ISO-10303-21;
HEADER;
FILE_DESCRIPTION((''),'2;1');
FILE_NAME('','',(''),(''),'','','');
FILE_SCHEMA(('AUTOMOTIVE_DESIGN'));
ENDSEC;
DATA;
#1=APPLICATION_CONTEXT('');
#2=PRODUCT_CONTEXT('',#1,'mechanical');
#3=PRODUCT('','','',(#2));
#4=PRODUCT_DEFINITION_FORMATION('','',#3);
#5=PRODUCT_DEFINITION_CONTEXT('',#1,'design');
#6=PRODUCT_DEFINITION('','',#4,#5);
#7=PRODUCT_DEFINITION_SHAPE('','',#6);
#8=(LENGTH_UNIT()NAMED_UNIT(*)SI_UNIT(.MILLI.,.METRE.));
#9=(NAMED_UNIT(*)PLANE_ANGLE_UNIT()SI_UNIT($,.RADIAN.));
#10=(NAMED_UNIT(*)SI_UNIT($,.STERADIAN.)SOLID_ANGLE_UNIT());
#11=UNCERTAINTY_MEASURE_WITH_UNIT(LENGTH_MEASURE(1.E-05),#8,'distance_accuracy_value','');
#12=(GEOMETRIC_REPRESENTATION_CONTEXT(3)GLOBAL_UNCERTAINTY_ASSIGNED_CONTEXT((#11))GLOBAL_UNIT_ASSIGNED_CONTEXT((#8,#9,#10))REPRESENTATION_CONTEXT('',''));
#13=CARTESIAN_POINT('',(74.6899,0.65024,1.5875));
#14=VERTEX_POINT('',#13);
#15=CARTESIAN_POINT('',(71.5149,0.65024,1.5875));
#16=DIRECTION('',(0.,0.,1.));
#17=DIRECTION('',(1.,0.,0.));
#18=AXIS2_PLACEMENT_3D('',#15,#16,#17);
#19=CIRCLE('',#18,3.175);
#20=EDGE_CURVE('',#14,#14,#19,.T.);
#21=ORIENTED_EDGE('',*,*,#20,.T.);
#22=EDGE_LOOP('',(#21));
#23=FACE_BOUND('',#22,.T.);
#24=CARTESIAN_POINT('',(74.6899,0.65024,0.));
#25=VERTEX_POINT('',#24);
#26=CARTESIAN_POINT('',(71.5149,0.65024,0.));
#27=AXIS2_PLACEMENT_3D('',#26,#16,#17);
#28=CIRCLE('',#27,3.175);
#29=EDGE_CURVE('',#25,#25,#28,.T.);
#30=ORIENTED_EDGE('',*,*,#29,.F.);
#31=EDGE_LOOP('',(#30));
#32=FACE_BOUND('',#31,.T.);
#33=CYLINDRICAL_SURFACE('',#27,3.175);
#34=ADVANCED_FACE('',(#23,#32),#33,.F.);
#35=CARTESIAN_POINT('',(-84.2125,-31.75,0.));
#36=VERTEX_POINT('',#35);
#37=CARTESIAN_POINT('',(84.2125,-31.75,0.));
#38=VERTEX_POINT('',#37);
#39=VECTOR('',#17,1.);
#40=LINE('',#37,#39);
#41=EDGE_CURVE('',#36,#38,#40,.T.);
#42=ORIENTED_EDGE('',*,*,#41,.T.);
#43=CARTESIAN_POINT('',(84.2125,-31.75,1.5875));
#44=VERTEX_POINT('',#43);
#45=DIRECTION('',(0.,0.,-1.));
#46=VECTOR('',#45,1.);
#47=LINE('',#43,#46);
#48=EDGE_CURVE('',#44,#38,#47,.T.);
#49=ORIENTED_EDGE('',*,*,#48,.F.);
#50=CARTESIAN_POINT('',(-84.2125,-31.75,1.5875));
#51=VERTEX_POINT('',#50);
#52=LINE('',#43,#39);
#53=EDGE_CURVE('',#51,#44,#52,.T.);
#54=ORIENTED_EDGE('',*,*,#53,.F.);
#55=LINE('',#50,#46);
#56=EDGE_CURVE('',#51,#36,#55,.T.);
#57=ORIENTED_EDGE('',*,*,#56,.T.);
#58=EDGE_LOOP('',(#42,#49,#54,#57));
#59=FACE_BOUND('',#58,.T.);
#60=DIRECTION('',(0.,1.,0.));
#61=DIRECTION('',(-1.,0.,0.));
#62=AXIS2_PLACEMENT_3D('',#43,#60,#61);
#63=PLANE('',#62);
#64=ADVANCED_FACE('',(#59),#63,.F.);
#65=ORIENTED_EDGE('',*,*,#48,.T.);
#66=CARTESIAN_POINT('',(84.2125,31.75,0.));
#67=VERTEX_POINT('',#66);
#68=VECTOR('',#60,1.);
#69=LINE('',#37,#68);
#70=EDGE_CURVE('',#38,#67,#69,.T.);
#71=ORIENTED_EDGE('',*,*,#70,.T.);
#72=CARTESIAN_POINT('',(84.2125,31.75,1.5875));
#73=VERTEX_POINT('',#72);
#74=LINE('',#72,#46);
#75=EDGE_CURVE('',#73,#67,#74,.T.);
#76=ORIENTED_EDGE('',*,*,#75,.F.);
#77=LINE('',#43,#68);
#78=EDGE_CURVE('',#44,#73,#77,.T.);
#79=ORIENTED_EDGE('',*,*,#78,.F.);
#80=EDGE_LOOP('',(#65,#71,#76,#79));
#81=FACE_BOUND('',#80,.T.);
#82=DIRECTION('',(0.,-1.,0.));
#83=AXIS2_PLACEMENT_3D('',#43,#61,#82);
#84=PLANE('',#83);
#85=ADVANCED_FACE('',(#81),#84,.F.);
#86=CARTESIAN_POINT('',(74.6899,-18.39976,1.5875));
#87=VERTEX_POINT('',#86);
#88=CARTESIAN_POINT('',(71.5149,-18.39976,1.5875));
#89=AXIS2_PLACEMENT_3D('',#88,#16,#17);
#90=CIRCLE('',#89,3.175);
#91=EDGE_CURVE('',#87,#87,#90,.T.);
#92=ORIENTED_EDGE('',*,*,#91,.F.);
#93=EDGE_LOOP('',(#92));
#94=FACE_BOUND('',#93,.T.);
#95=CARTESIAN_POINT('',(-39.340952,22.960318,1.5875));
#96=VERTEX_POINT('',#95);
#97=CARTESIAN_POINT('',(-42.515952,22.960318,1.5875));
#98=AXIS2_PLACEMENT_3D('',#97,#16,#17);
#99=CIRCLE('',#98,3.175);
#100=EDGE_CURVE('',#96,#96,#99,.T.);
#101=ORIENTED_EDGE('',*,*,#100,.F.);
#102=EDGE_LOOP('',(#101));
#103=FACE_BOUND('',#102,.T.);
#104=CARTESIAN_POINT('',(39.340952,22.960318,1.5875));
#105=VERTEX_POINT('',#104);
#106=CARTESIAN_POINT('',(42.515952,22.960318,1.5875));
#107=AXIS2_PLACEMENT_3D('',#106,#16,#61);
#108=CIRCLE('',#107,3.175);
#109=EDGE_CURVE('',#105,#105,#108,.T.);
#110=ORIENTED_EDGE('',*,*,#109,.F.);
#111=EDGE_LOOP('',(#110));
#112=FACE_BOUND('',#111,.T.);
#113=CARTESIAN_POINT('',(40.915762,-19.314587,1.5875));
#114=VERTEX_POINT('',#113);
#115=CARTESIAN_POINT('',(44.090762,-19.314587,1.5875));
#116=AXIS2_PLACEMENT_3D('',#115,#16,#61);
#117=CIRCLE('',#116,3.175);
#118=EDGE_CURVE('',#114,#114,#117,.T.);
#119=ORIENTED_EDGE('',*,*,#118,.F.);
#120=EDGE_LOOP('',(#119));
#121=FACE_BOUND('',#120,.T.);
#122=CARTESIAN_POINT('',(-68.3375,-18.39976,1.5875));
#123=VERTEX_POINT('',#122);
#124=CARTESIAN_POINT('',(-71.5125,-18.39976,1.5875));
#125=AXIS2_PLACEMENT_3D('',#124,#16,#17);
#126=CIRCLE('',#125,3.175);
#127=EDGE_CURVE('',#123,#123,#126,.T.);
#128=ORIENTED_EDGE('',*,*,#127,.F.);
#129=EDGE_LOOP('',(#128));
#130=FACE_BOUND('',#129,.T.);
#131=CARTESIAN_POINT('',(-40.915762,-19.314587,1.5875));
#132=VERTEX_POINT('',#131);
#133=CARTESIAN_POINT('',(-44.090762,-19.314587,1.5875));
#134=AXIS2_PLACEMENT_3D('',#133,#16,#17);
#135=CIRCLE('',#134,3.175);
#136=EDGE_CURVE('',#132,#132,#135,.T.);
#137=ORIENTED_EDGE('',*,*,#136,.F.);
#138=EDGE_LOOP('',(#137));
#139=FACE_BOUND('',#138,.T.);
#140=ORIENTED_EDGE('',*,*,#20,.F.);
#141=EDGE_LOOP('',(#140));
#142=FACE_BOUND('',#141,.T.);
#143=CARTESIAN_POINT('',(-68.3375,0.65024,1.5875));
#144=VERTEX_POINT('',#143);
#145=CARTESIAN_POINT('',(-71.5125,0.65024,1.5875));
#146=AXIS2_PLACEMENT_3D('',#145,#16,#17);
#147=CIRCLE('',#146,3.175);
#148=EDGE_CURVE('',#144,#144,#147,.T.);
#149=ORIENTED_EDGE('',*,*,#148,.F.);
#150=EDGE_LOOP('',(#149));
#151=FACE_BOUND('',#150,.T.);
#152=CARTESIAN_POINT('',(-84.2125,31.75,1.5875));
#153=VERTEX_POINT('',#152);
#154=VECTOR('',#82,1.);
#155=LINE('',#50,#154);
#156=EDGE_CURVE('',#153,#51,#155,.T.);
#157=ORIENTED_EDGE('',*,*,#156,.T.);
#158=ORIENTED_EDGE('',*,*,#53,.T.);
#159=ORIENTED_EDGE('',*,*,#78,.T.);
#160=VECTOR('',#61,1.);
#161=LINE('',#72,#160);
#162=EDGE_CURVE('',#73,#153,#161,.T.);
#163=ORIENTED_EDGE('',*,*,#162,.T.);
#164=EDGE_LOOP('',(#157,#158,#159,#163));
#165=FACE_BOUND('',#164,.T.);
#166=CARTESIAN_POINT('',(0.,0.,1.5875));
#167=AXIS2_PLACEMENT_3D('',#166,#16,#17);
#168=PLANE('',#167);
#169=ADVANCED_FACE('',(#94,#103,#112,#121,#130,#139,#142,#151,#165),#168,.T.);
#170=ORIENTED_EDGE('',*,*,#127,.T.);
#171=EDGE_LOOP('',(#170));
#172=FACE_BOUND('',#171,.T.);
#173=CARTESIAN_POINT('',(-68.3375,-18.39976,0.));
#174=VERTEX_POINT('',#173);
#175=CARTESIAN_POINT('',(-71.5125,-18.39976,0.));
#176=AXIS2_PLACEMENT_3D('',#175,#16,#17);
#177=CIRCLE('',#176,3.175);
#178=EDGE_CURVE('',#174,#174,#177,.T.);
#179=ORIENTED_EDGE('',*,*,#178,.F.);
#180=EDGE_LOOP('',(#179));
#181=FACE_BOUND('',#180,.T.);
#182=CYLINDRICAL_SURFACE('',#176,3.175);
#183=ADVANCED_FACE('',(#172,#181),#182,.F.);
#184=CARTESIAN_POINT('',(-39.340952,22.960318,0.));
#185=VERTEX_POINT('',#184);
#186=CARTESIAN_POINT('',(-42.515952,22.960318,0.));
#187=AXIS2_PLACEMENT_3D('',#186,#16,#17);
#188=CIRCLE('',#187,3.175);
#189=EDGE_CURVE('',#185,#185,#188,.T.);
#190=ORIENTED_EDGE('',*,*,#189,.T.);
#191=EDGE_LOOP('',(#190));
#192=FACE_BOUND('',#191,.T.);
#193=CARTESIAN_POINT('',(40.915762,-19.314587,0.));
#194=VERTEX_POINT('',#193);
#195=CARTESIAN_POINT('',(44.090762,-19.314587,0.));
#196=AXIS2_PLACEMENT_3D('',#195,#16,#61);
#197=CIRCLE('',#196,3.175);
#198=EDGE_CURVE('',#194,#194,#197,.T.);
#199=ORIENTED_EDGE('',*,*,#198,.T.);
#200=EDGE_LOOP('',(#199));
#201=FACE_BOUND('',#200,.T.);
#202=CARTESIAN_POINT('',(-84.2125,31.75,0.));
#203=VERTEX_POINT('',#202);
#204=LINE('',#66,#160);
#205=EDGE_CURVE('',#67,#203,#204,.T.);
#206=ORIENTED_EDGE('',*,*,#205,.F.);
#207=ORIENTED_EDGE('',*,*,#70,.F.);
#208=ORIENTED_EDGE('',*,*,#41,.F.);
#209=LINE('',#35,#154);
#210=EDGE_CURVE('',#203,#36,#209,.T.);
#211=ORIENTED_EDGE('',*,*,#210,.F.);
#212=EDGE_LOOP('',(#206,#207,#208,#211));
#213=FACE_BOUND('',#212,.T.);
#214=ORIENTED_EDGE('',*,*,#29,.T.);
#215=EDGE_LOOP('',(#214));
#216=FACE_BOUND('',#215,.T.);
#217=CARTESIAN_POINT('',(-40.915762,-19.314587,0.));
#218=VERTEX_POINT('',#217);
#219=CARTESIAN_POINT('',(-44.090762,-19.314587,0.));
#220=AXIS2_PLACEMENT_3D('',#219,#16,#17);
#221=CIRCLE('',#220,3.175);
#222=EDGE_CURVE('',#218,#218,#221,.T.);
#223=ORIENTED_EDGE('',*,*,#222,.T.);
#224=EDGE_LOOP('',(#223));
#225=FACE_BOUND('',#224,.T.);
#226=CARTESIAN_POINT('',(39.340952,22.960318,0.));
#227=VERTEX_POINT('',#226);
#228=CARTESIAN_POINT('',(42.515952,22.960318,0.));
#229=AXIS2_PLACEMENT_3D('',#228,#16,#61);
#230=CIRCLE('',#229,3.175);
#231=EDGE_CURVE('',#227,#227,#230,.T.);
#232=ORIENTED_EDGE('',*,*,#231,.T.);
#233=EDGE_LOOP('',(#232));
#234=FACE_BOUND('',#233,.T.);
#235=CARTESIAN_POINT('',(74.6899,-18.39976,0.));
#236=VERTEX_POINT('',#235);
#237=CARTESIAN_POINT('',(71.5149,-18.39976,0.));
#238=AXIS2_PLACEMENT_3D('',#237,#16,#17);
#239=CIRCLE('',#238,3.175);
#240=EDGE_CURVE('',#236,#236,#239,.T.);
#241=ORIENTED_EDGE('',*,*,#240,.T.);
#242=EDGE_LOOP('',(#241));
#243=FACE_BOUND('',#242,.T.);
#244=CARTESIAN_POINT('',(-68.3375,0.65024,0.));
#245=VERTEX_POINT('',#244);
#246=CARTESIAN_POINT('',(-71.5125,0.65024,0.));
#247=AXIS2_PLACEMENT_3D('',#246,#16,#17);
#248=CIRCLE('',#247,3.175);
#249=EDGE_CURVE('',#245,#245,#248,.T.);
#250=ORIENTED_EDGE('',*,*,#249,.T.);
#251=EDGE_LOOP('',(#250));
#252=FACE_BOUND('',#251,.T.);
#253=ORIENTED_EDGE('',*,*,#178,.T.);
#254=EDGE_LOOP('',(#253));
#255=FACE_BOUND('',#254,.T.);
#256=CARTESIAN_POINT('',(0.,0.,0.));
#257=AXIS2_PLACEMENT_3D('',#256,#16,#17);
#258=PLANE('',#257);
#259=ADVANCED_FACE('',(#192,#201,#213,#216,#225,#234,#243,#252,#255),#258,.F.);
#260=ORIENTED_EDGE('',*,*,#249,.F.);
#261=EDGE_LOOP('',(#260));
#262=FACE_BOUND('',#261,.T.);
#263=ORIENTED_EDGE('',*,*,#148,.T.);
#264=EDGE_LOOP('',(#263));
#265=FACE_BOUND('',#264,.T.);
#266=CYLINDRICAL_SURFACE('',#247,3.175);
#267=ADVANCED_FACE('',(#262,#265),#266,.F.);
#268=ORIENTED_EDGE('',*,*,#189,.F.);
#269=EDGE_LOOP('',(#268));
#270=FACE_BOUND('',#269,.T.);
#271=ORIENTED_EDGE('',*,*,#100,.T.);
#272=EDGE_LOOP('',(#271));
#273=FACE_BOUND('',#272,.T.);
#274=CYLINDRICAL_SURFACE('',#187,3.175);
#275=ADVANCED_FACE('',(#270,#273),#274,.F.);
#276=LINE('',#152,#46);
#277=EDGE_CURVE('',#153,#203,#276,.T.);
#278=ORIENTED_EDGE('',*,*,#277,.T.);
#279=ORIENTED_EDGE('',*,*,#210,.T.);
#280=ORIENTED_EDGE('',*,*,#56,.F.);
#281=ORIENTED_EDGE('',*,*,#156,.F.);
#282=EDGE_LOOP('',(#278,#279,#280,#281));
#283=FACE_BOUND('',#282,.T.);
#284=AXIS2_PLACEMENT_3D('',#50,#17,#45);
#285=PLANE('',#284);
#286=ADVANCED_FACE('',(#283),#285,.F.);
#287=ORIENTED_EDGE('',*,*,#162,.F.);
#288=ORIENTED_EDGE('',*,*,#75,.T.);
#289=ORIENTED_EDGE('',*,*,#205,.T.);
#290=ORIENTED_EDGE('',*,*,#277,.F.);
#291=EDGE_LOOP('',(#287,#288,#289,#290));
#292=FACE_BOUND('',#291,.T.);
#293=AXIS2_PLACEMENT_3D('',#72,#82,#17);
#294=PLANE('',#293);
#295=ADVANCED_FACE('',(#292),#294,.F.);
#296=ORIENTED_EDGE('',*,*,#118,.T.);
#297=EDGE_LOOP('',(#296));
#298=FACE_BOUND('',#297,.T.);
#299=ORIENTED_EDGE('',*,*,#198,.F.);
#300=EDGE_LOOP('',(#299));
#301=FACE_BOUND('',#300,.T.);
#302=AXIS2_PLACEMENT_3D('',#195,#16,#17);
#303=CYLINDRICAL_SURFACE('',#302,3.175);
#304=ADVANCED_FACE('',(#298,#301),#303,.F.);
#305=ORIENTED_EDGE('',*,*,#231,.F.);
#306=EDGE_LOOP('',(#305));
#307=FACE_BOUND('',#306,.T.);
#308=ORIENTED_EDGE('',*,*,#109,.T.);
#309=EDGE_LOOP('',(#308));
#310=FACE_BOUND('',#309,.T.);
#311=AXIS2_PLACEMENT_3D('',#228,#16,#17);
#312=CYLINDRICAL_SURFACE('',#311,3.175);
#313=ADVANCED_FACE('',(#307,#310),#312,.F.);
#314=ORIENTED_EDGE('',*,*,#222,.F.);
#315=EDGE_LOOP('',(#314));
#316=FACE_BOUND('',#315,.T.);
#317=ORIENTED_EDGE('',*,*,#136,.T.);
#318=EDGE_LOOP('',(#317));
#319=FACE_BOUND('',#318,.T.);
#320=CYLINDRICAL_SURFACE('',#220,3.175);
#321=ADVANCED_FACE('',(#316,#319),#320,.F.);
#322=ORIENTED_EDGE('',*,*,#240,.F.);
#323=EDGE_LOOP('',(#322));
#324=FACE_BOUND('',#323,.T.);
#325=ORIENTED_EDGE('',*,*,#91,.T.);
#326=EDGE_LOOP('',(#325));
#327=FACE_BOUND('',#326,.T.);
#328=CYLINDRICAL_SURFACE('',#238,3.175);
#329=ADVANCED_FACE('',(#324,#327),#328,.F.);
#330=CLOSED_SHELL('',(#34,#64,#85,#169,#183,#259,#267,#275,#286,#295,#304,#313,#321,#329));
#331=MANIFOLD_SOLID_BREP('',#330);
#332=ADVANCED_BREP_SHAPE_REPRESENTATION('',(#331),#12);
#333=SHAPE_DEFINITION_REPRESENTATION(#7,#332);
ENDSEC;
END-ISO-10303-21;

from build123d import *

# Parameters (mm, degrees)
SKETCH1_W           = 168.425
SKETCH1_H           = 63.5
BOSS_EXTRUDE1_DEPTH = 1.5875
SKETCH2_R           = 3.175
CUT_EXTRUDE1_DEPTH  = 2.5875


with BuildPart() as part:
    # Sketch1 → Boss-Extrude1 (new body)
    with BuildSketch(Plane.XY):
        Rectangle(SKETCH1_W, SKETCH1_H)
    extrude(amount=BOSS_EXTRUDE1_DEPTH)

    # Sketch2 → Cut-Extrude1 (cut, through all)
    with BuildSketch(Plane.XY.offset(1.5875)):
        with Locations((-42.515952276, 22.960318249)):
            Circle(SKETCH2_R)
        with Locations((-44.090761728, -19.314587136)):
            Circle(SKETCH2_R)
        with Locations((-71.5125, 0.65024)):
            Circle(SKETCH2_R)
        with Locations((-71.5125, -18.39976)):
            Circle(SKETCH2_R)
        with Locations((71.5149, 0.65024)):
            Circle(SKETCH2_R)
        with Locations((71.5149, -18.39976)):
            Circle(SKETCH2_R)
        with Locations((44.090761728, -19.314587136)):
            Circle(SKETCH2_R)
        with Locations((42.515952276, 22.960318249)):
            Circle(SKETCH2_R)
    extrude(amount=-CUT_EXTRUDE1_DEPTH, mode=Mode.SUBTRACT)


solid = part.part
